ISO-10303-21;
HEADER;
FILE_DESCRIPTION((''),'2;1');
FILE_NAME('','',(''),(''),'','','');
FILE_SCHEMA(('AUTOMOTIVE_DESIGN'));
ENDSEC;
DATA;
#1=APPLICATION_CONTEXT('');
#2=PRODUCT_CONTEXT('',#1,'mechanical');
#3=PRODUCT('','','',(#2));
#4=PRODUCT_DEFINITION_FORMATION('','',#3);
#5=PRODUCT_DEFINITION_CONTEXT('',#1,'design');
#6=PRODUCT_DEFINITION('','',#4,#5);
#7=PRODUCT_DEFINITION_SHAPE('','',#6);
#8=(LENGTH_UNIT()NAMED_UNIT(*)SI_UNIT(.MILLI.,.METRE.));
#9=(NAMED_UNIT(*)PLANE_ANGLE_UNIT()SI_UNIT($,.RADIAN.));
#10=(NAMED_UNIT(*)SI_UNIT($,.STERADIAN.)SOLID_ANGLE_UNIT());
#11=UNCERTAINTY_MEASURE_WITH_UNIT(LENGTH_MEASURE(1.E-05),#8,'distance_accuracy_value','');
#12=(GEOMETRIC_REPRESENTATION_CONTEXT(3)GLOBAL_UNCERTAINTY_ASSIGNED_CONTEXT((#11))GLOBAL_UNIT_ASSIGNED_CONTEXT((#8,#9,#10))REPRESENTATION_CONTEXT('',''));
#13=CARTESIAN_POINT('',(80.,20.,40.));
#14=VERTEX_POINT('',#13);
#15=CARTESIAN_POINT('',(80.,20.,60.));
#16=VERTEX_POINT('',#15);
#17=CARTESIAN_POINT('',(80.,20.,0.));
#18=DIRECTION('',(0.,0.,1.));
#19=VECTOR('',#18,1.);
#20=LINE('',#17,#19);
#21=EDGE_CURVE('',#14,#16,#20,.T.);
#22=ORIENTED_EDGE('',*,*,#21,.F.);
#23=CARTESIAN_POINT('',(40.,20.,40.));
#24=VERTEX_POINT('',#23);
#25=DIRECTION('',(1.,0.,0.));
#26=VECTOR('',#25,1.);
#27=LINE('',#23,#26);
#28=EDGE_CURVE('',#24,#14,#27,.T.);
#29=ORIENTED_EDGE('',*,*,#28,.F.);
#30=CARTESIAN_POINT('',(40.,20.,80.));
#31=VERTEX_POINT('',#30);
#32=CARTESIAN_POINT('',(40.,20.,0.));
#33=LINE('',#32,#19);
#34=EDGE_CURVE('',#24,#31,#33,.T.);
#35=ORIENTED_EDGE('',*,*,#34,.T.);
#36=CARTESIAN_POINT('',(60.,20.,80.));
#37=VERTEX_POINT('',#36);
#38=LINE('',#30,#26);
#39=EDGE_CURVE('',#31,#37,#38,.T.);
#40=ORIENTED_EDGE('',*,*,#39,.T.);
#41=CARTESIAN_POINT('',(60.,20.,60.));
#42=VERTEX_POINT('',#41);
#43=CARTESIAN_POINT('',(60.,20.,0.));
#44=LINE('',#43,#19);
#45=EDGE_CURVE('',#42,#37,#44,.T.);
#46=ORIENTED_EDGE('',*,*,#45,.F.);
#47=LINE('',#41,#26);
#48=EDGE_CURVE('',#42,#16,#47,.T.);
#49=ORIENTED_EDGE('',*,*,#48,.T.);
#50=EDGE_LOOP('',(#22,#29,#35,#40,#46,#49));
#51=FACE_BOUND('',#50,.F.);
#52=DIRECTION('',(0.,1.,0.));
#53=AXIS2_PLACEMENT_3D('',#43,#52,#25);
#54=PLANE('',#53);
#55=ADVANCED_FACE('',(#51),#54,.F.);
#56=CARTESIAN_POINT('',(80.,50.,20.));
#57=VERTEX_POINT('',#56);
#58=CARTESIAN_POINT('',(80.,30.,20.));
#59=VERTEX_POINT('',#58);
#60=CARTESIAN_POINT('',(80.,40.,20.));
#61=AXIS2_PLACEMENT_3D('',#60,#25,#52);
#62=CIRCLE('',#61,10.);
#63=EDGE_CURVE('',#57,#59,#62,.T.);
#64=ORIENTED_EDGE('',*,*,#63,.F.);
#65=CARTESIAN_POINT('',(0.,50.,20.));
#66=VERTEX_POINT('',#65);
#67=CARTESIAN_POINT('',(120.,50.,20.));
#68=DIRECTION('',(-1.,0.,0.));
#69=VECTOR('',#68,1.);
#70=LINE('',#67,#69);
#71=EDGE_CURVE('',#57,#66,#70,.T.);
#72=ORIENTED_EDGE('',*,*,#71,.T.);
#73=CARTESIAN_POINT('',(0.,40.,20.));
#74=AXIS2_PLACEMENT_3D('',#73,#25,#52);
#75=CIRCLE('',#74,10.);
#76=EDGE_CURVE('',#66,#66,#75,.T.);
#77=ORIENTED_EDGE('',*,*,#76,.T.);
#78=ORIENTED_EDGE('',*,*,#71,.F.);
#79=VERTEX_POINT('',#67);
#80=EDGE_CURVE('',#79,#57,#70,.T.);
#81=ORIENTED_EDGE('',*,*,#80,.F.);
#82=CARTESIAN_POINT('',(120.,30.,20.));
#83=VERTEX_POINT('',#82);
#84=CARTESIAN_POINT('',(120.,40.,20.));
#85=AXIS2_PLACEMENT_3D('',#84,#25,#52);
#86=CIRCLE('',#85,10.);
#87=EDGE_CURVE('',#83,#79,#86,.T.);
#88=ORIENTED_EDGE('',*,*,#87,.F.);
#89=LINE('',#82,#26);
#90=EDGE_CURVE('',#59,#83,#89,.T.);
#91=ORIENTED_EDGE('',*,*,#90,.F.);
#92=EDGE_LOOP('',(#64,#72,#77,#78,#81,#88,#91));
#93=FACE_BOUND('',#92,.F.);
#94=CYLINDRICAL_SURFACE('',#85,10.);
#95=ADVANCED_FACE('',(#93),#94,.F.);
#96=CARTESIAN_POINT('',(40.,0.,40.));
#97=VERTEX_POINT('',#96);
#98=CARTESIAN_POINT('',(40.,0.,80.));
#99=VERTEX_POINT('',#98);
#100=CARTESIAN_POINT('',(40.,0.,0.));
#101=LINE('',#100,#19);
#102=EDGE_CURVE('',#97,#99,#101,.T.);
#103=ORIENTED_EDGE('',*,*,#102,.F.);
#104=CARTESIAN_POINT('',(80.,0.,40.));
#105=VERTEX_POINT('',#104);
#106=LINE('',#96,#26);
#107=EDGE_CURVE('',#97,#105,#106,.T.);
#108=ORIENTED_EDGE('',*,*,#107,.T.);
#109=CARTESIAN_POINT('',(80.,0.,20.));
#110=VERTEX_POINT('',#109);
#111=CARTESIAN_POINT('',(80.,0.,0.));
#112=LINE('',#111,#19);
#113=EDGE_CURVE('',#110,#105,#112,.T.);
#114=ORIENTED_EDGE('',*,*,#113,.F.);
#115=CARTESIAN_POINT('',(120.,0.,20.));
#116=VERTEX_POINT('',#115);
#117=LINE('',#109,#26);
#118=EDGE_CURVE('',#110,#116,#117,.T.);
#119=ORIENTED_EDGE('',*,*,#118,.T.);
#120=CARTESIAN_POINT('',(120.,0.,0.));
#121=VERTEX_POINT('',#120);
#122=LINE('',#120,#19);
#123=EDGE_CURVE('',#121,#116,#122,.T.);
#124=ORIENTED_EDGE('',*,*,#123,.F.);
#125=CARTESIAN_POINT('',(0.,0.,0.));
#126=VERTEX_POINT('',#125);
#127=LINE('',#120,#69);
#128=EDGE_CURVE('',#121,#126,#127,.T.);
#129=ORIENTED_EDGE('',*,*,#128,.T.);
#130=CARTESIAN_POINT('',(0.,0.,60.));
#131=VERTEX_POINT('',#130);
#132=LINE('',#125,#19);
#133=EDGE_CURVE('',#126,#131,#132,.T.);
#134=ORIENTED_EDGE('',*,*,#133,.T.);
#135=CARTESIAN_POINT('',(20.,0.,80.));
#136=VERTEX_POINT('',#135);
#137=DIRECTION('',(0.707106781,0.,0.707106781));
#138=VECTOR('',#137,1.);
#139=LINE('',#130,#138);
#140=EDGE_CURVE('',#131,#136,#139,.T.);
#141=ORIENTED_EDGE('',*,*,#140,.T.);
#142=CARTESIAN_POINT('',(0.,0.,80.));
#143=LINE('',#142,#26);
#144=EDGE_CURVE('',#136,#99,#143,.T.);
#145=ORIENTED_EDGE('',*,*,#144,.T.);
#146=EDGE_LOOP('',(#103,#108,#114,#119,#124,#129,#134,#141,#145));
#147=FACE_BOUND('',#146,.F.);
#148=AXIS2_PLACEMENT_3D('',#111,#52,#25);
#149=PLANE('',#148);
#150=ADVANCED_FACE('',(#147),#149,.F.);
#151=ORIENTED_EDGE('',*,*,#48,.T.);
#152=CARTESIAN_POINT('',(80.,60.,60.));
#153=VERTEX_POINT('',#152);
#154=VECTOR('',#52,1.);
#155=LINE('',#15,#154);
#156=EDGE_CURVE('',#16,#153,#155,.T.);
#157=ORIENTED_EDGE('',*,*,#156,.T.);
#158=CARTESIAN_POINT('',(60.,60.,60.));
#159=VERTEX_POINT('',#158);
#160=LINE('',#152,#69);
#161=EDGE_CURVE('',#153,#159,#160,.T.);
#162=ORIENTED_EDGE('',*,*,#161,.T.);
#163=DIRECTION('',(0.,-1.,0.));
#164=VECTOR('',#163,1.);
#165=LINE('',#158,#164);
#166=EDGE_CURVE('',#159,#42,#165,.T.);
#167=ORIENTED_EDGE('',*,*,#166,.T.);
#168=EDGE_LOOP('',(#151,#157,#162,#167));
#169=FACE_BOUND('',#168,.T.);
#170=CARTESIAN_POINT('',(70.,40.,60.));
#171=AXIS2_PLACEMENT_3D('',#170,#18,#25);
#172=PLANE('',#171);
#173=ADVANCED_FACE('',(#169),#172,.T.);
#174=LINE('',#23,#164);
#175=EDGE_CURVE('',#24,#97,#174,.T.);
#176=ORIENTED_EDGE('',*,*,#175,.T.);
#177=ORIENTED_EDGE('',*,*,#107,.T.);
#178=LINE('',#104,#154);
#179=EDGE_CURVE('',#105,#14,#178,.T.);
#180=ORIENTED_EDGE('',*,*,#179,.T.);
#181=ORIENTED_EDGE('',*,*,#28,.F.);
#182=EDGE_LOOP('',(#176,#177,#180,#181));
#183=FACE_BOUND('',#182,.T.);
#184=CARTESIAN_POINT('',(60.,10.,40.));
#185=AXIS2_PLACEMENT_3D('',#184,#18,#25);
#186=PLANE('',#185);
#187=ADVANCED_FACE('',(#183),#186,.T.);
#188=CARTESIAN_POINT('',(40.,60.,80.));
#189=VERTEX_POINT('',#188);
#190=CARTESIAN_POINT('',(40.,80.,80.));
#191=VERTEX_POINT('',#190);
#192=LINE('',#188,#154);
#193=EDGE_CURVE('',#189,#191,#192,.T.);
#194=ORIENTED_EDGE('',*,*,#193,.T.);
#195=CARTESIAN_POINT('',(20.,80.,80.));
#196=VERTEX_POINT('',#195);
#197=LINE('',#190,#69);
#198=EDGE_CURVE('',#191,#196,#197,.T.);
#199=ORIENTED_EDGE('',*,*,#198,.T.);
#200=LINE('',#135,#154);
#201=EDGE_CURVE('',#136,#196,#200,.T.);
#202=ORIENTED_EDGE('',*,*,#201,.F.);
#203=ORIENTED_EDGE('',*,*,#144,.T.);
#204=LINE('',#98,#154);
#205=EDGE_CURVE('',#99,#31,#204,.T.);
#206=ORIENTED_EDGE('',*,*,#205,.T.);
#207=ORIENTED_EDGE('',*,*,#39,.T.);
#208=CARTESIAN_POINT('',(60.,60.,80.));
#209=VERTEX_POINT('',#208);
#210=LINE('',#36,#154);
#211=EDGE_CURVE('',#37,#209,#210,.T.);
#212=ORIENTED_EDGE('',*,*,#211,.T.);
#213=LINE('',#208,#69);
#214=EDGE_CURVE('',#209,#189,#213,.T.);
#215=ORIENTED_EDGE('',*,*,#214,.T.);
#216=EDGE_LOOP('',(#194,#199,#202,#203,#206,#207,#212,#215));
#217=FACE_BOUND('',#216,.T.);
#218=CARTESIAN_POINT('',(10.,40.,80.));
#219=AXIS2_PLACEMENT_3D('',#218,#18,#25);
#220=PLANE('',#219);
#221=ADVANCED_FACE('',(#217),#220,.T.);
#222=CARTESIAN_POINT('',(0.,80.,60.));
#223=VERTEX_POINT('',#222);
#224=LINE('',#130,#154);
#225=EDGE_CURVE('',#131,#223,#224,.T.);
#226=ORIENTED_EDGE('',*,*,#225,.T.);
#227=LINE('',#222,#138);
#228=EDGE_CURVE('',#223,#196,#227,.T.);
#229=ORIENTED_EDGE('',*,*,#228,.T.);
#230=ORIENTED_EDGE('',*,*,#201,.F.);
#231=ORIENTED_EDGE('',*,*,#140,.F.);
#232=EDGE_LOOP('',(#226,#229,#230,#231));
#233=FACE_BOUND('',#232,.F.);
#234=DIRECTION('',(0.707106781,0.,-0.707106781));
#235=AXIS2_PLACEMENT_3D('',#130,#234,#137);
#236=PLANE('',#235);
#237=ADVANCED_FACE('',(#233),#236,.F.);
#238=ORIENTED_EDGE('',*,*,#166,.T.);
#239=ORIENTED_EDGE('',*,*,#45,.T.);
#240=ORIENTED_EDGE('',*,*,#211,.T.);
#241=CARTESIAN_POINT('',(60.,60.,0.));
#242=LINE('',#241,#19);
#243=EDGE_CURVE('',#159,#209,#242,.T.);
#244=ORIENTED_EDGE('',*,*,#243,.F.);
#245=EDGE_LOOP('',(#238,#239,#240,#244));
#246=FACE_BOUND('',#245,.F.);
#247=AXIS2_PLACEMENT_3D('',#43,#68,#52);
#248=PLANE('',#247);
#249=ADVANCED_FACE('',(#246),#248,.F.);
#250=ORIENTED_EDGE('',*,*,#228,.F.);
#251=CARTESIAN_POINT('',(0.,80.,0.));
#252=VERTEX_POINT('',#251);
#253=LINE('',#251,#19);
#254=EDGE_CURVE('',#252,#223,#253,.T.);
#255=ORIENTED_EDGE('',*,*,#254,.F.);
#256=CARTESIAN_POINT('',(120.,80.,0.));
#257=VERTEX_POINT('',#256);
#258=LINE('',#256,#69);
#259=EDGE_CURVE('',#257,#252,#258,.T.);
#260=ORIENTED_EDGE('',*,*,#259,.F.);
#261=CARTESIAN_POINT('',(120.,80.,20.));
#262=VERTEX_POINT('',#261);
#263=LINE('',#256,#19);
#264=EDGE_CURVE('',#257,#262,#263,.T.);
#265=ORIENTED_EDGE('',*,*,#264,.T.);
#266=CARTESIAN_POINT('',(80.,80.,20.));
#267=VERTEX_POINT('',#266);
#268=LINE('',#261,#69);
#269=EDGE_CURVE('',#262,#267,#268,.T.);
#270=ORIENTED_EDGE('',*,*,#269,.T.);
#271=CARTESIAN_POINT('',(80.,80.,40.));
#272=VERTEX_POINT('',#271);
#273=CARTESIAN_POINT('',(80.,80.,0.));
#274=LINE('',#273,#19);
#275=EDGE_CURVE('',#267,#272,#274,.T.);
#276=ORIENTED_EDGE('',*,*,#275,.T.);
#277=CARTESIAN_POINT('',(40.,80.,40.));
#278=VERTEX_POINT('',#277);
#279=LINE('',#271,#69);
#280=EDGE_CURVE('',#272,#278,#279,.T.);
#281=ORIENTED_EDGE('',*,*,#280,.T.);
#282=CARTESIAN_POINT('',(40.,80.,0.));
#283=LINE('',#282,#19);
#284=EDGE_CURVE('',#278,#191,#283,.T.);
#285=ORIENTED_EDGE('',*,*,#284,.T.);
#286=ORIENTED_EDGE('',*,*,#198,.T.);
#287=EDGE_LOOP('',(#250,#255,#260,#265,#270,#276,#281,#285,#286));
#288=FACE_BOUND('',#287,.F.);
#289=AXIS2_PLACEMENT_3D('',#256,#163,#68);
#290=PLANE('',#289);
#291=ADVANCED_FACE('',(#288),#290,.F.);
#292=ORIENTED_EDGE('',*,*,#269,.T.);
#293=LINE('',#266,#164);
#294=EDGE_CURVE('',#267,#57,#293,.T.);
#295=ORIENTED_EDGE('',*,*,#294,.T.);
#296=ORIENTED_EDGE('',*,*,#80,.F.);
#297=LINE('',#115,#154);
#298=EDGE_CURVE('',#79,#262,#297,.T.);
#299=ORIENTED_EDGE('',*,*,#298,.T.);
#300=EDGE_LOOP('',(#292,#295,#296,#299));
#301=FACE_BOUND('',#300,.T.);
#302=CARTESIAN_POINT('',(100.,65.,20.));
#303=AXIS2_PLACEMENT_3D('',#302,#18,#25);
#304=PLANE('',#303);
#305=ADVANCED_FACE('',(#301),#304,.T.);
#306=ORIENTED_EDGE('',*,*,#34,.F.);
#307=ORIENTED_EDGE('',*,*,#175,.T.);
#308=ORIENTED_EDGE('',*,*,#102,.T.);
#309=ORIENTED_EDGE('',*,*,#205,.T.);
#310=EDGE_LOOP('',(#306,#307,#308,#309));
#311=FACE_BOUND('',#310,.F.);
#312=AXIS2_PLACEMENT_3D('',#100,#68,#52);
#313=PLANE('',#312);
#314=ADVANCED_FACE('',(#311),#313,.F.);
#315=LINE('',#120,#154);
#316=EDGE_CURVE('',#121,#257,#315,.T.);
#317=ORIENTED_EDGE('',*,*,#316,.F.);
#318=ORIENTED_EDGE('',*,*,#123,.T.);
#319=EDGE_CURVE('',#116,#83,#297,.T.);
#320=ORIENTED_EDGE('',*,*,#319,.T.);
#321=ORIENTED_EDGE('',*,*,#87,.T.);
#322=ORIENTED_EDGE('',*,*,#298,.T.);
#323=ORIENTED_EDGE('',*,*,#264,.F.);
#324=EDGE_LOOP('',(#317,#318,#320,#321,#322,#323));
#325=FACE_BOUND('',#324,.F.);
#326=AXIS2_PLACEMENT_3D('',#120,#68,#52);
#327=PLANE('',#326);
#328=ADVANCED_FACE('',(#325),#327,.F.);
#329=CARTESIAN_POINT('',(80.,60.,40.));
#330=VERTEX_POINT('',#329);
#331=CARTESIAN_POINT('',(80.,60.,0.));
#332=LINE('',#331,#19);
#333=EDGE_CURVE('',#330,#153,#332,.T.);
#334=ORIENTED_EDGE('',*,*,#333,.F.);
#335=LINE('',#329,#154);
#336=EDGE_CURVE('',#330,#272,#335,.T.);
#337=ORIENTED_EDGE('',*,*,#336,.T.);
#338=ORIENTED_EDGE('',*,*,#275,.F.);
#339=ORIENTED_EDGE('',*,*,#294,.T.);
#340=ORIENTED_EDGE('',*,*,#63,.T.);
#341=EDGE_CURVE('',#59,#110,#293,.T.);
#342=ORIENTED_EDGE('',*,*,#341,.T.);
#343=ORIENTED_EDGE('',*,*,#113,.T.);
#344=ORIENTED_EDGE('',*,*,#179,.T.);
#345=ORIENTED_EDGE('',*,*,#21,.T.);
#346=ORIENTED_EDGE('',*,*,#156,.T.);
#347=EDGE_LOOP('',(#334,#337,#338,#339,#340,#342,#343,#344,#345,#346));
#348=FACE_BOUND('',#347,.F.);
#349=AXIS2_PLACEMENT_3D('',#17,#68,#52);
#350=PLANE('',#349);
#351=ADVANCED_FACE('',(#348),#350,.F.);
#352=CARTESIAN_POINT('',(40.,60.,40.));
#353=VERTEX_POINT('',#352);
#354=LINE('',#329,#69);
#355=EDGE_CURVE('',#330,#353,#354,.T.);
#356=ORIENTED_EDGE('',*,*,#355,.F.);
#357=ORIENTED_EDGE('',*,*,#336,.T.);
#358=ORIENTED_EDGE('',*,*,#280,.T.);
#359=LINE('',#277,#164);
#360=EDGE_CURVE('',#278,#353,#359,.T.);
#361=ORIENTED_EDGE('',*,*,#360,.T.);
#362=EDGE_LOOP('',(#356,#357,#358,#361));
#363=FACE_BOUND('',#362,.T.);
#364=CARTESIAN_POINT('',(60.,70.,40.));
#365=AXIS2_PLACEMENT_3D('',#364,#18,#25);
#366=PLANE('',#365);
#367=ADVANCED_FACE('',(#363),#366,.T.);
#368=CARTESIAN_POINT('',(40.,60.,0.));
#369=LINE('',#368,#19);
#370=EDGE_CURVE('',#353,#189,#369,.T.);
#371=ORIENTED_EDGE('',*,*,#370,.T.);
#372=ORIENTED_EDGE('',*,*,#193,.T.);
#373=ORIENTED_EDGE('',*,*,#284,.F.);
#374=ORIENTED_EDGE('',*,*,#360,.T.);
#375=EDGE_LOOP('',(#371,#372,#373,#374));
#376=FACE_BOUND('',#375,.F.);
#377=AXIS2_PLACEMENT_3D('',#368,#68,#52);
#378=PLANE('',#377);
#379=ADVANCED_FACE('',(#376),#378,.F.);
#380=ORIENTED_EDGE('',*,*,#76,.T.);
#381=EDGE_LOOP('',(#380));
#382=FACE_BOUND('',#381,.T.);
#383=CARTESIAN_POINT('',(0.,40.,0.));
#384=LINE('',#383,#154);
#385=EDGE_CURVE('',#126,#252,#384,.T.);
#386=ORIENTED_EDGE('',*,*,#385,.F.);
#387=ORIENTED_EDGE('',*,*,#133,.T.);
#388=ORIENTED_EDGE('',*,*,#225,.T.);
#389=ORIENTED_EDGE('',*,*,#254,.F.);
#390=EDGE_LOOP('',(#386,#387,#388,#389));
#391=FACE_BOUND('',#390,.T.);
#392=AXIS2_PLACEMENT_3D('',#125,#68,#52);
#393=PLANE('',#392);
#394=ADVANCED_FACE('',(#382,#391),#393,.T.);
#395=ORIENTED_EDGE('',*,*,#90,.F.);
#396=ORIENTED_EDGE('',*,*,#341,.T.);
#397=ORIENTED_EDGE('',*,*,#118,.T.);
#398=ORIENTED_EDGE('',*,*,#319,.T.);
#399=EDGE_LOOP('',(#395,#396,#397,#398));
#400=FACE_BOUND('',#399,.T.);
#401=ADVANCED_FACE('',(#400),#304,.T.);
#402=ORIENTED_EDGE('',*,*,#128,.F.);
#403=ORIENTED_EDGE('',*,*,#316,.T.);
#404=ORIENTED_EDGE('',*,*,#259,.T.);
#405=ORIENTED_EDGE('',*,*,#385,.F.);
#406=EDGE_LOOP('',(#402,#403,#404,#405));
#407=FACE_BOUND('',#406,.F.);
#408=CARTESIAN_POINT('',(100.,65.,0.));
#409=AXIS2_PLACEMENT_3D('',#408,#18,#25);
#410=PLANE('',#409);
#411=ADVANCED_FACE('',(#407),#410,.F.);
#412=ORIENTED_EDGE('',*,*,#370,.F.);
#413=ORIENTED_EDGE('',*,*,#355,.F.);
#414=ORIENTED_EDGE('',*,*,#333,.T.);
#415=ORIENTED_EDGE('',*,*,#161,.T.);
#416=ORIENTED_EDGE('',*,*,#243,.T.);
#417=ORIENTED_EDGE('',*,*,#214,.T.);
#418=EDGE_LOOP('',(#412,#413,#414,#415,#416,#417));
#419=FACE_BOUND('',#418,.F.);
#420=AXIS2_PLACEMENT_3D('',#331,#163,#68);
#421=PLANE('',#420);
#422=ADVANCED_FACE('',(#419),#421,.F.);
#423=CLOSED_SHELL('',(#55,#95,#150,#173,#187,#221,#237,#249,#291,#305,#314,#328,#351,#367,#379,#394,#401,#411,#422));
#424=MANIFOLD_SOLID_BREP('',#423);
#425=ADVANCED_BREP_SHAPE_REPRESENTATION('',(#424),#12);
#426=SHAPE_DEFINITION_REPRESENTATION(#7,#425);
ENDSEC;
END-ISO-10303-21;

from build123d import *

# Parameters (mm, degrees)
F0_W     = 20
F0_H     = 80
F1_DEPTH = 80
F2_DEPTH = 40
F3_DEPTH = 60
F5_DEPTH = 80
F0_W_2   = 40
F0_H_2   = 20
F6_DEPTH = 20
F7_R     = 10
F8_DEPTH = 120


with BuildPart() as f1:
    # F0 (on Top) → F1 (new body)
    with BuildSketch(Plane.XY):
        with Locations((10, 40)):
            Rectangle(F0_W, F0_H)
        Polygon((20, 80), (20, 0), (40, 0), (40, 20), (60, 20), (60, 60), (40, 60), (40, 80), align=None)
    extrude(amount=F1_DEPTH)

    # F0 (on Top) → F2 (join)
    with BuildSketch(Plane.XY):
        Polygon((80, 80), (40, 80), (40, 60), (60, 60), (80, 60), align=None)
        Polygon((40, 20), (40, 0), (80, 0), (80, 20), (60, 20), align=None)
    extrude(amount=F2_DEPTH)

    # F0 (on Top) → F3 (join)
    with BuildSketch(Plane.XY):
        Polygon((60, 20), (80, 20), (80, 30), (80, 50), (80, 60), (60, 60), align=None)
    extrude(amount=F3_DEPTH)

    # F4 (on face) → F5 (cut)
    with BuildSketch(Plane.XZ):
        Polygon((20, 80), (0, 80), (0, 60), align=None)
    extrude(amount=-F5_DEPTH, mode=Mode.SUBTRACT)

    # F0 (on Top) → F6 (join)
    with BuildSketch(Plane.XY):
        Polygon((120, 80), (80, 80), (80, 60), (80, 50), (120, 50), align=None)
        Polygon((80, 20), (80, 0), (120, 0), (120, 30), (80, 30), align=None)
        with Locations((100, 40)):
            Rectangle(F0_W_2, F0_H_2)
    extrude(amount=F6_DEPTH)

    # F7 (on face) → F8 (cut)
    with BuildSketch(Plane.YZ.offset(120)):
        with Locations((40, 20)):
            Circle(F7_R)
    extrude(amount=-F8_DEPTH, mode=Mode.SUBTRACT)


solid = f1.part
